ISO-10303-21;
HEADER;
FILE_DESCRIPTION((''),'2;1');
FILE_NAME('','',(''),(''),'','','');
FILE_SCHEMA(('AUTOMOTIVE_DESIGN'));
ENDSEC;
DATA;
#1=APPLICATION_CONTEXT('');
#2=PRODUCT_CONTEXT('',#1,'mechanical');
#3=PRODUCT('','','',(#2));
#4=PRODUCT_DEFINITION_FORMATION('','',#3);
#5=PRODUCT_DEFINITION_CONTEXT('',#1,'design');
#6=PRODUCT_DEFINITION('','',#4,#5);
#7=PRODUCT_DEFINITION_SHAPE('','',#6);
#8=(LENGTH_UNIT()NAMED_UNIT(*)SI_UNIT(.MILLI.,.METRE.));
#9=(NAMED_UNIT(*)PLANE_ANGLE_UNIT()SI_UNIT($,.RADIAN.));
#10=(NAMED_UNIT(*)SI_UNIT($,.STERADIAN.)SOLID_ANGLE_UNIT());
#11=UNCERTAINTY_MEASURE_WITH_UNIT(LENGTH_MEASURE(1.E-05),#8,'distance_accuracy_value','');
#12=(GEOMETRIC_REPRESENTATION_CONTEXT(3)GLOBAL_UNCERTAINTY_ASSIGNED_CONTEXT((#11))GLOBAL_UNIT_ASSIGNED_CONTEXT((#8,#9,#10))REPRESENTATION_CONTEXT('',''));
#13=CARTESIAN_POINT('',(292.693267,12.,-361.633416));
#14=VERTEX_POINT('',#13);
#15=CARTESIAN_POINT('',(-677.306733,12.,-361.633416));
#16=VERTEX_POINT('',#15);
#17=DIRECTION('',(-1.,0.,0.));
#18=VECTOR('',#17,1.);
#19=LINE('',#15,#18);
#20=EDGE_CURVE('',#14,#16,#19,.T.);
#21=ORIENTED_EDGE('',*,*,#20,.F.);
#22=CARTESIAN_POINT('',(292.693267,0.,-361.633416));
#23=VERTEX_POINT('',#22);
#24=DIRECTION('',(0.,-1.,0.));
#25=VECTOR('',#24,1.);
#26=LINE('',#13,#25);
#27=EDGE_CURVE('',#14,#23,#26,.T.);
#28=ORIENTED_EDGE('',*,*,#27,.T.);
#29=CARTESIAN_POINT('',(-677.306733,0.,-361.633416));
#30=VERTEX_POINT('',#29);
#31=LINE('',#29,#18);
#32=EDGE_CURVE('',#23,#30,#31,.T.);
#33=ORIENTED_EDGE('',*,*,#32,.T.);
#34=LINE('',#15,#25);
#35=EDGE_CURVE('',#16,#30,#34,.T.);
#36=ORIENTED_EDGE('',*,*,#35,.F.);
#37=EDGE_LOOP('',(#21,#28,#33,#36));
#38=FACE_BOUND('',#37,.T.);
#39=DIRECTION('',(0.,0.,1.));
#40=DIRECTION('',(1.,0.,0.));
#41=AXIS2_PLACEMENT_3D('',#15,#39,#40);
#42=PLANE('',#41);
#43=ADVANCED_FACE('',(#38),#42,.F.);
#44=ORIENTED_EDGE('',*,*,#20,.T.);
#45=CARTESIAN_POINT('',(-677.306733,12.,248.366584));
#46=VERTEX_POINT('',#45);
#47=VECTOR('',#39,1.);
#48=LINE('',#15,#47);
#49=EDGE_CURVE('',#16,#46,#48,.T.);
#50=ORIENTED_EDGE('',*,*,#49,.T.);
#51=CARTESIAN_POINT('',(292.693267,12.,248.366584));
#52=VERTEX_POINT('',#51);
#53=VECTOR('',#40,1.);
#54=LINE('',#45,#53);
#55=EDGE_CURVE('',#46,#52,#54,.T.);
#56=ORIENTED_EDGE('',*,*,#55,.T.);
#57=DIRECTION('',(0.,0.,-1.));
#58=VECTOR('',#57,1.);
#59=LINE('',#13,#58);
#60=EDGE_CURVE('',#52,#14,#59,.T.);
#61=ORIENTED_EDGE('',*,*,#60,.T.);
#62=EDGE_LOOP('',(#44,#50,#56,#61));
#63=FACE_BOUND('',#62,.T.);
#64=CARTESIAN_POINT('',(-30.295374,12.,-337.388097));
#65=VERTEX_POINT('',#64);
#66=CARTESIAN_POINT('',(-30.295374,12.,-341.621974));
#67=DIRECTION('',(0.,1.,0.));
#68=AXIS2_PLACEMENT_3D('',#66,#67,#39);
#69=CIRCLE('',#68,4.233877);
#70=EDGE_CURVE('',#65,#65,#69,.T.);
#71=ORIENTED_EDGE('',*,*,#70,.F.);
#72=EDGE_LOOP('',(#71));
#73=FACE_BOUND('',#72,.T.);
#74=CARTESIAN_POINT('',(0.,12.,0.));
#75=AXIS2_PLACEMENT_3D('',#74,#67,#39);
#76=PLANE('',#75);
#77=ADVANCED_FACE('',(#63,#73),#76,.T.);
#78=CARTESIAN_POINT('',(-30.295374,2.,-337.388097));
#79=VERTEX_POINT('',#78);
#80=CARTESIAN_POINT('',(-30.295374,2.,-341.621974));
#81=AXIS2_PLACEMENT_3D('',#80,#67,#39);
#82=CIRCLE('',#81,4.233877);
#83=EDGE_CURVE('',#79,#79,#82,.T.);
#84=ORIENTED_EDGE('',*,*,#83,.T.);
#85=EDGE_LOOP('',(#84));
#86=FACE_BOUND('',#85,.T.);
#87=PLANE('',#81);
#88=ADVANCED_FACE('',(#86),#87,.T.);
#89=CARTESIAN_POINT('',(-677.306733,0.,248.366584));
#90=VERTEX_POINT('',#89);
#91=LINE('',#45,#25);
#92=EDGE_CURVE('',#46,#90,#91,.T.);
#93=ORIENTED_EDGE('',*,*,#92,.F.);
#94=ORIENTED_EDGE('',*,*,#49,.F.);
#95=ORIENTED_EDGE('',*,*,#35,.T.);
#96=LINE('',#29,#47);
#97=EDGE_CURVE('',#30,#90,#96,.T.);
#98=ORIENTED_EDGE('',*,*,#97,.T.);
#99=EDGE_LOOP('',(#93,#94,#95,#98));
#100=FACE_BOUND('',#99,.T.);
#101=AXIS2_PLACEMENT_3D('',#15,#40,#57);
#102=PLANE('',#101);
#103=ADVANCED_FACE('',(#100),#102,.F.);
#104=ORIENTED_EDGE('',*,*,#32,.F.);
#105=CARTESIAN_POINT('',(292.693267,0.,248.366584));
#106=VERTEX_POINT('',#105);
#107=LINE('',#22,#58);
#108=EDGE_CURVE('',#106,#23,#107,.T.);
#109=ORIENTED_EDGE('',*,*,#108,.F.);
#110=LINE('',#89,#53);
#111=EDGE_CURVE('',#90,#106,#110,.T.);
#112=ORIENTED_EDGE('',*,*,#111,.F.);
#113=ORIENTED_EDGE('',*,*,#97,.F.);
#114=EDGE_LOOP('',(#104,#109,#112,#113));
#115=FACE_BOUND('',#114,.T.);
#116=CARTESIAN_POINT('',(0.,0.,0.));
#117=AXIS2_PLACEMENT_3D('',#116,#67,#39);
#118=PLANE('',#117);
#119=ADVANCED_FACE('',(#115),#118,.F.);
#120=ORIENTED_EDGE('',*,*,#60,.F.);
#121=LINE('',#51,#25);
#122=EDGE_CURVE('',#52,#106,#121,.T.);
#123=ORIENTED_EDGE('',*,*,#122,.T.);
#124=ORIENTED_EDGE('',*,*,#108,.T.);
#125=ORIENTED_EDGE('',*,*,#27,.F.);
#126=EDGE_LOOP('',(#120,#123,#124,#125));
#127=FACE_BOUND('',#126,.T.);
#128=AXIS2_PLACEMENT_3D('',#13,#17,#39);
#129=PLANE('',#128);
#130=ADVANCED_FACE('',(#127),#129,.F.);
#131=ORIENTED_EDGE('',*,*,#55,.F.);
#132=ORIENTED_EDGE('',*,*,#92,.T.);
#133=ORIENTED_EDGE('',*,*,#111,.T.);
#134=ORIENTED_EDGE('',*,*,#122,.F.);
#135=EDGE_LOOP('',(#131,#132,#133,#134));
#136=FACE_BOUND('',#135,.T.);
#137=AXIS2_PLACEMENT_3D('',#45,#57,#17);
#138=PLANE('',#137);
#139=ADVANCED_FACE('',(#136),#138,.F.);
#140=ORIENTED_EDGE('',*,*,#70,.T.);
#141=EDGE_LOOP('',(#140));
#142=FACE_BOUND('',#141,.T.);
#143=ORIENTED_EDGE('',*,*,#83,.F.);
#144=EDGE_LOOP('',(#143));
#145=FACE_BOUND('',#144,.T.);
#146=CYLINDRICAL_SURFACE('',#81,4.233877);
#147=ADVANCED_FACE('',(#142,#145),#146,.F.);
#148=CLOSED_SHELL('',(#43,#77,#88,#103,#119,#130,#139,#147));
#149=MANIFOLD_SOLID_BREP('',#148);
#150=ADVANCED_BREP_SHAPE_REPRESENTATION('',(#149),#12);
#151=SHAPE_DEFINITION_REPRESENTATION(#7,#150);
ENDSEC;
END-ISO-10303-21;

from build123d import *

# Parameters (mm, degrees)
SKETCH1_W           = 970
SKETCH1_H           = 610
BOSS_EXTRUDE1_DEPTH = 12
SKETCH2_R           = 4.233877047
CUT_EXTRUDE1_DEPTH  = 10


with BuildPart() as part:
    # Sketch1 → Boss-Extrude1 (new body)
    with BuildSketch(Plane(origin=(0, 0, 0), x_dir=(1, 0, 0), z_dir=(0, 1, 0))):
        with Locations((-192.306733167, 56.633416459)):
            Rectangle(SKETCH1_W, SKETCH1_H)
    extrude(amount=BOSS_EXTRUDE1_DEPTH)

    # Sketch2 → Cut-Extrude1 (cut)
    with BuildSketch(Plane(origin=(0, 12, 0), x_dir=(1, 0, 0), z_dir=(0, 1, 0))):
        with Locations(Location((-30.29537408, 341.621974399, 0), (0, 0, 270))):
            Circle(SKETCH2_R)
    extrude(amount=-CUT_EXTRUDE1_DEPTH, mode=Mode.SUBTRACT)


solid = part.part
